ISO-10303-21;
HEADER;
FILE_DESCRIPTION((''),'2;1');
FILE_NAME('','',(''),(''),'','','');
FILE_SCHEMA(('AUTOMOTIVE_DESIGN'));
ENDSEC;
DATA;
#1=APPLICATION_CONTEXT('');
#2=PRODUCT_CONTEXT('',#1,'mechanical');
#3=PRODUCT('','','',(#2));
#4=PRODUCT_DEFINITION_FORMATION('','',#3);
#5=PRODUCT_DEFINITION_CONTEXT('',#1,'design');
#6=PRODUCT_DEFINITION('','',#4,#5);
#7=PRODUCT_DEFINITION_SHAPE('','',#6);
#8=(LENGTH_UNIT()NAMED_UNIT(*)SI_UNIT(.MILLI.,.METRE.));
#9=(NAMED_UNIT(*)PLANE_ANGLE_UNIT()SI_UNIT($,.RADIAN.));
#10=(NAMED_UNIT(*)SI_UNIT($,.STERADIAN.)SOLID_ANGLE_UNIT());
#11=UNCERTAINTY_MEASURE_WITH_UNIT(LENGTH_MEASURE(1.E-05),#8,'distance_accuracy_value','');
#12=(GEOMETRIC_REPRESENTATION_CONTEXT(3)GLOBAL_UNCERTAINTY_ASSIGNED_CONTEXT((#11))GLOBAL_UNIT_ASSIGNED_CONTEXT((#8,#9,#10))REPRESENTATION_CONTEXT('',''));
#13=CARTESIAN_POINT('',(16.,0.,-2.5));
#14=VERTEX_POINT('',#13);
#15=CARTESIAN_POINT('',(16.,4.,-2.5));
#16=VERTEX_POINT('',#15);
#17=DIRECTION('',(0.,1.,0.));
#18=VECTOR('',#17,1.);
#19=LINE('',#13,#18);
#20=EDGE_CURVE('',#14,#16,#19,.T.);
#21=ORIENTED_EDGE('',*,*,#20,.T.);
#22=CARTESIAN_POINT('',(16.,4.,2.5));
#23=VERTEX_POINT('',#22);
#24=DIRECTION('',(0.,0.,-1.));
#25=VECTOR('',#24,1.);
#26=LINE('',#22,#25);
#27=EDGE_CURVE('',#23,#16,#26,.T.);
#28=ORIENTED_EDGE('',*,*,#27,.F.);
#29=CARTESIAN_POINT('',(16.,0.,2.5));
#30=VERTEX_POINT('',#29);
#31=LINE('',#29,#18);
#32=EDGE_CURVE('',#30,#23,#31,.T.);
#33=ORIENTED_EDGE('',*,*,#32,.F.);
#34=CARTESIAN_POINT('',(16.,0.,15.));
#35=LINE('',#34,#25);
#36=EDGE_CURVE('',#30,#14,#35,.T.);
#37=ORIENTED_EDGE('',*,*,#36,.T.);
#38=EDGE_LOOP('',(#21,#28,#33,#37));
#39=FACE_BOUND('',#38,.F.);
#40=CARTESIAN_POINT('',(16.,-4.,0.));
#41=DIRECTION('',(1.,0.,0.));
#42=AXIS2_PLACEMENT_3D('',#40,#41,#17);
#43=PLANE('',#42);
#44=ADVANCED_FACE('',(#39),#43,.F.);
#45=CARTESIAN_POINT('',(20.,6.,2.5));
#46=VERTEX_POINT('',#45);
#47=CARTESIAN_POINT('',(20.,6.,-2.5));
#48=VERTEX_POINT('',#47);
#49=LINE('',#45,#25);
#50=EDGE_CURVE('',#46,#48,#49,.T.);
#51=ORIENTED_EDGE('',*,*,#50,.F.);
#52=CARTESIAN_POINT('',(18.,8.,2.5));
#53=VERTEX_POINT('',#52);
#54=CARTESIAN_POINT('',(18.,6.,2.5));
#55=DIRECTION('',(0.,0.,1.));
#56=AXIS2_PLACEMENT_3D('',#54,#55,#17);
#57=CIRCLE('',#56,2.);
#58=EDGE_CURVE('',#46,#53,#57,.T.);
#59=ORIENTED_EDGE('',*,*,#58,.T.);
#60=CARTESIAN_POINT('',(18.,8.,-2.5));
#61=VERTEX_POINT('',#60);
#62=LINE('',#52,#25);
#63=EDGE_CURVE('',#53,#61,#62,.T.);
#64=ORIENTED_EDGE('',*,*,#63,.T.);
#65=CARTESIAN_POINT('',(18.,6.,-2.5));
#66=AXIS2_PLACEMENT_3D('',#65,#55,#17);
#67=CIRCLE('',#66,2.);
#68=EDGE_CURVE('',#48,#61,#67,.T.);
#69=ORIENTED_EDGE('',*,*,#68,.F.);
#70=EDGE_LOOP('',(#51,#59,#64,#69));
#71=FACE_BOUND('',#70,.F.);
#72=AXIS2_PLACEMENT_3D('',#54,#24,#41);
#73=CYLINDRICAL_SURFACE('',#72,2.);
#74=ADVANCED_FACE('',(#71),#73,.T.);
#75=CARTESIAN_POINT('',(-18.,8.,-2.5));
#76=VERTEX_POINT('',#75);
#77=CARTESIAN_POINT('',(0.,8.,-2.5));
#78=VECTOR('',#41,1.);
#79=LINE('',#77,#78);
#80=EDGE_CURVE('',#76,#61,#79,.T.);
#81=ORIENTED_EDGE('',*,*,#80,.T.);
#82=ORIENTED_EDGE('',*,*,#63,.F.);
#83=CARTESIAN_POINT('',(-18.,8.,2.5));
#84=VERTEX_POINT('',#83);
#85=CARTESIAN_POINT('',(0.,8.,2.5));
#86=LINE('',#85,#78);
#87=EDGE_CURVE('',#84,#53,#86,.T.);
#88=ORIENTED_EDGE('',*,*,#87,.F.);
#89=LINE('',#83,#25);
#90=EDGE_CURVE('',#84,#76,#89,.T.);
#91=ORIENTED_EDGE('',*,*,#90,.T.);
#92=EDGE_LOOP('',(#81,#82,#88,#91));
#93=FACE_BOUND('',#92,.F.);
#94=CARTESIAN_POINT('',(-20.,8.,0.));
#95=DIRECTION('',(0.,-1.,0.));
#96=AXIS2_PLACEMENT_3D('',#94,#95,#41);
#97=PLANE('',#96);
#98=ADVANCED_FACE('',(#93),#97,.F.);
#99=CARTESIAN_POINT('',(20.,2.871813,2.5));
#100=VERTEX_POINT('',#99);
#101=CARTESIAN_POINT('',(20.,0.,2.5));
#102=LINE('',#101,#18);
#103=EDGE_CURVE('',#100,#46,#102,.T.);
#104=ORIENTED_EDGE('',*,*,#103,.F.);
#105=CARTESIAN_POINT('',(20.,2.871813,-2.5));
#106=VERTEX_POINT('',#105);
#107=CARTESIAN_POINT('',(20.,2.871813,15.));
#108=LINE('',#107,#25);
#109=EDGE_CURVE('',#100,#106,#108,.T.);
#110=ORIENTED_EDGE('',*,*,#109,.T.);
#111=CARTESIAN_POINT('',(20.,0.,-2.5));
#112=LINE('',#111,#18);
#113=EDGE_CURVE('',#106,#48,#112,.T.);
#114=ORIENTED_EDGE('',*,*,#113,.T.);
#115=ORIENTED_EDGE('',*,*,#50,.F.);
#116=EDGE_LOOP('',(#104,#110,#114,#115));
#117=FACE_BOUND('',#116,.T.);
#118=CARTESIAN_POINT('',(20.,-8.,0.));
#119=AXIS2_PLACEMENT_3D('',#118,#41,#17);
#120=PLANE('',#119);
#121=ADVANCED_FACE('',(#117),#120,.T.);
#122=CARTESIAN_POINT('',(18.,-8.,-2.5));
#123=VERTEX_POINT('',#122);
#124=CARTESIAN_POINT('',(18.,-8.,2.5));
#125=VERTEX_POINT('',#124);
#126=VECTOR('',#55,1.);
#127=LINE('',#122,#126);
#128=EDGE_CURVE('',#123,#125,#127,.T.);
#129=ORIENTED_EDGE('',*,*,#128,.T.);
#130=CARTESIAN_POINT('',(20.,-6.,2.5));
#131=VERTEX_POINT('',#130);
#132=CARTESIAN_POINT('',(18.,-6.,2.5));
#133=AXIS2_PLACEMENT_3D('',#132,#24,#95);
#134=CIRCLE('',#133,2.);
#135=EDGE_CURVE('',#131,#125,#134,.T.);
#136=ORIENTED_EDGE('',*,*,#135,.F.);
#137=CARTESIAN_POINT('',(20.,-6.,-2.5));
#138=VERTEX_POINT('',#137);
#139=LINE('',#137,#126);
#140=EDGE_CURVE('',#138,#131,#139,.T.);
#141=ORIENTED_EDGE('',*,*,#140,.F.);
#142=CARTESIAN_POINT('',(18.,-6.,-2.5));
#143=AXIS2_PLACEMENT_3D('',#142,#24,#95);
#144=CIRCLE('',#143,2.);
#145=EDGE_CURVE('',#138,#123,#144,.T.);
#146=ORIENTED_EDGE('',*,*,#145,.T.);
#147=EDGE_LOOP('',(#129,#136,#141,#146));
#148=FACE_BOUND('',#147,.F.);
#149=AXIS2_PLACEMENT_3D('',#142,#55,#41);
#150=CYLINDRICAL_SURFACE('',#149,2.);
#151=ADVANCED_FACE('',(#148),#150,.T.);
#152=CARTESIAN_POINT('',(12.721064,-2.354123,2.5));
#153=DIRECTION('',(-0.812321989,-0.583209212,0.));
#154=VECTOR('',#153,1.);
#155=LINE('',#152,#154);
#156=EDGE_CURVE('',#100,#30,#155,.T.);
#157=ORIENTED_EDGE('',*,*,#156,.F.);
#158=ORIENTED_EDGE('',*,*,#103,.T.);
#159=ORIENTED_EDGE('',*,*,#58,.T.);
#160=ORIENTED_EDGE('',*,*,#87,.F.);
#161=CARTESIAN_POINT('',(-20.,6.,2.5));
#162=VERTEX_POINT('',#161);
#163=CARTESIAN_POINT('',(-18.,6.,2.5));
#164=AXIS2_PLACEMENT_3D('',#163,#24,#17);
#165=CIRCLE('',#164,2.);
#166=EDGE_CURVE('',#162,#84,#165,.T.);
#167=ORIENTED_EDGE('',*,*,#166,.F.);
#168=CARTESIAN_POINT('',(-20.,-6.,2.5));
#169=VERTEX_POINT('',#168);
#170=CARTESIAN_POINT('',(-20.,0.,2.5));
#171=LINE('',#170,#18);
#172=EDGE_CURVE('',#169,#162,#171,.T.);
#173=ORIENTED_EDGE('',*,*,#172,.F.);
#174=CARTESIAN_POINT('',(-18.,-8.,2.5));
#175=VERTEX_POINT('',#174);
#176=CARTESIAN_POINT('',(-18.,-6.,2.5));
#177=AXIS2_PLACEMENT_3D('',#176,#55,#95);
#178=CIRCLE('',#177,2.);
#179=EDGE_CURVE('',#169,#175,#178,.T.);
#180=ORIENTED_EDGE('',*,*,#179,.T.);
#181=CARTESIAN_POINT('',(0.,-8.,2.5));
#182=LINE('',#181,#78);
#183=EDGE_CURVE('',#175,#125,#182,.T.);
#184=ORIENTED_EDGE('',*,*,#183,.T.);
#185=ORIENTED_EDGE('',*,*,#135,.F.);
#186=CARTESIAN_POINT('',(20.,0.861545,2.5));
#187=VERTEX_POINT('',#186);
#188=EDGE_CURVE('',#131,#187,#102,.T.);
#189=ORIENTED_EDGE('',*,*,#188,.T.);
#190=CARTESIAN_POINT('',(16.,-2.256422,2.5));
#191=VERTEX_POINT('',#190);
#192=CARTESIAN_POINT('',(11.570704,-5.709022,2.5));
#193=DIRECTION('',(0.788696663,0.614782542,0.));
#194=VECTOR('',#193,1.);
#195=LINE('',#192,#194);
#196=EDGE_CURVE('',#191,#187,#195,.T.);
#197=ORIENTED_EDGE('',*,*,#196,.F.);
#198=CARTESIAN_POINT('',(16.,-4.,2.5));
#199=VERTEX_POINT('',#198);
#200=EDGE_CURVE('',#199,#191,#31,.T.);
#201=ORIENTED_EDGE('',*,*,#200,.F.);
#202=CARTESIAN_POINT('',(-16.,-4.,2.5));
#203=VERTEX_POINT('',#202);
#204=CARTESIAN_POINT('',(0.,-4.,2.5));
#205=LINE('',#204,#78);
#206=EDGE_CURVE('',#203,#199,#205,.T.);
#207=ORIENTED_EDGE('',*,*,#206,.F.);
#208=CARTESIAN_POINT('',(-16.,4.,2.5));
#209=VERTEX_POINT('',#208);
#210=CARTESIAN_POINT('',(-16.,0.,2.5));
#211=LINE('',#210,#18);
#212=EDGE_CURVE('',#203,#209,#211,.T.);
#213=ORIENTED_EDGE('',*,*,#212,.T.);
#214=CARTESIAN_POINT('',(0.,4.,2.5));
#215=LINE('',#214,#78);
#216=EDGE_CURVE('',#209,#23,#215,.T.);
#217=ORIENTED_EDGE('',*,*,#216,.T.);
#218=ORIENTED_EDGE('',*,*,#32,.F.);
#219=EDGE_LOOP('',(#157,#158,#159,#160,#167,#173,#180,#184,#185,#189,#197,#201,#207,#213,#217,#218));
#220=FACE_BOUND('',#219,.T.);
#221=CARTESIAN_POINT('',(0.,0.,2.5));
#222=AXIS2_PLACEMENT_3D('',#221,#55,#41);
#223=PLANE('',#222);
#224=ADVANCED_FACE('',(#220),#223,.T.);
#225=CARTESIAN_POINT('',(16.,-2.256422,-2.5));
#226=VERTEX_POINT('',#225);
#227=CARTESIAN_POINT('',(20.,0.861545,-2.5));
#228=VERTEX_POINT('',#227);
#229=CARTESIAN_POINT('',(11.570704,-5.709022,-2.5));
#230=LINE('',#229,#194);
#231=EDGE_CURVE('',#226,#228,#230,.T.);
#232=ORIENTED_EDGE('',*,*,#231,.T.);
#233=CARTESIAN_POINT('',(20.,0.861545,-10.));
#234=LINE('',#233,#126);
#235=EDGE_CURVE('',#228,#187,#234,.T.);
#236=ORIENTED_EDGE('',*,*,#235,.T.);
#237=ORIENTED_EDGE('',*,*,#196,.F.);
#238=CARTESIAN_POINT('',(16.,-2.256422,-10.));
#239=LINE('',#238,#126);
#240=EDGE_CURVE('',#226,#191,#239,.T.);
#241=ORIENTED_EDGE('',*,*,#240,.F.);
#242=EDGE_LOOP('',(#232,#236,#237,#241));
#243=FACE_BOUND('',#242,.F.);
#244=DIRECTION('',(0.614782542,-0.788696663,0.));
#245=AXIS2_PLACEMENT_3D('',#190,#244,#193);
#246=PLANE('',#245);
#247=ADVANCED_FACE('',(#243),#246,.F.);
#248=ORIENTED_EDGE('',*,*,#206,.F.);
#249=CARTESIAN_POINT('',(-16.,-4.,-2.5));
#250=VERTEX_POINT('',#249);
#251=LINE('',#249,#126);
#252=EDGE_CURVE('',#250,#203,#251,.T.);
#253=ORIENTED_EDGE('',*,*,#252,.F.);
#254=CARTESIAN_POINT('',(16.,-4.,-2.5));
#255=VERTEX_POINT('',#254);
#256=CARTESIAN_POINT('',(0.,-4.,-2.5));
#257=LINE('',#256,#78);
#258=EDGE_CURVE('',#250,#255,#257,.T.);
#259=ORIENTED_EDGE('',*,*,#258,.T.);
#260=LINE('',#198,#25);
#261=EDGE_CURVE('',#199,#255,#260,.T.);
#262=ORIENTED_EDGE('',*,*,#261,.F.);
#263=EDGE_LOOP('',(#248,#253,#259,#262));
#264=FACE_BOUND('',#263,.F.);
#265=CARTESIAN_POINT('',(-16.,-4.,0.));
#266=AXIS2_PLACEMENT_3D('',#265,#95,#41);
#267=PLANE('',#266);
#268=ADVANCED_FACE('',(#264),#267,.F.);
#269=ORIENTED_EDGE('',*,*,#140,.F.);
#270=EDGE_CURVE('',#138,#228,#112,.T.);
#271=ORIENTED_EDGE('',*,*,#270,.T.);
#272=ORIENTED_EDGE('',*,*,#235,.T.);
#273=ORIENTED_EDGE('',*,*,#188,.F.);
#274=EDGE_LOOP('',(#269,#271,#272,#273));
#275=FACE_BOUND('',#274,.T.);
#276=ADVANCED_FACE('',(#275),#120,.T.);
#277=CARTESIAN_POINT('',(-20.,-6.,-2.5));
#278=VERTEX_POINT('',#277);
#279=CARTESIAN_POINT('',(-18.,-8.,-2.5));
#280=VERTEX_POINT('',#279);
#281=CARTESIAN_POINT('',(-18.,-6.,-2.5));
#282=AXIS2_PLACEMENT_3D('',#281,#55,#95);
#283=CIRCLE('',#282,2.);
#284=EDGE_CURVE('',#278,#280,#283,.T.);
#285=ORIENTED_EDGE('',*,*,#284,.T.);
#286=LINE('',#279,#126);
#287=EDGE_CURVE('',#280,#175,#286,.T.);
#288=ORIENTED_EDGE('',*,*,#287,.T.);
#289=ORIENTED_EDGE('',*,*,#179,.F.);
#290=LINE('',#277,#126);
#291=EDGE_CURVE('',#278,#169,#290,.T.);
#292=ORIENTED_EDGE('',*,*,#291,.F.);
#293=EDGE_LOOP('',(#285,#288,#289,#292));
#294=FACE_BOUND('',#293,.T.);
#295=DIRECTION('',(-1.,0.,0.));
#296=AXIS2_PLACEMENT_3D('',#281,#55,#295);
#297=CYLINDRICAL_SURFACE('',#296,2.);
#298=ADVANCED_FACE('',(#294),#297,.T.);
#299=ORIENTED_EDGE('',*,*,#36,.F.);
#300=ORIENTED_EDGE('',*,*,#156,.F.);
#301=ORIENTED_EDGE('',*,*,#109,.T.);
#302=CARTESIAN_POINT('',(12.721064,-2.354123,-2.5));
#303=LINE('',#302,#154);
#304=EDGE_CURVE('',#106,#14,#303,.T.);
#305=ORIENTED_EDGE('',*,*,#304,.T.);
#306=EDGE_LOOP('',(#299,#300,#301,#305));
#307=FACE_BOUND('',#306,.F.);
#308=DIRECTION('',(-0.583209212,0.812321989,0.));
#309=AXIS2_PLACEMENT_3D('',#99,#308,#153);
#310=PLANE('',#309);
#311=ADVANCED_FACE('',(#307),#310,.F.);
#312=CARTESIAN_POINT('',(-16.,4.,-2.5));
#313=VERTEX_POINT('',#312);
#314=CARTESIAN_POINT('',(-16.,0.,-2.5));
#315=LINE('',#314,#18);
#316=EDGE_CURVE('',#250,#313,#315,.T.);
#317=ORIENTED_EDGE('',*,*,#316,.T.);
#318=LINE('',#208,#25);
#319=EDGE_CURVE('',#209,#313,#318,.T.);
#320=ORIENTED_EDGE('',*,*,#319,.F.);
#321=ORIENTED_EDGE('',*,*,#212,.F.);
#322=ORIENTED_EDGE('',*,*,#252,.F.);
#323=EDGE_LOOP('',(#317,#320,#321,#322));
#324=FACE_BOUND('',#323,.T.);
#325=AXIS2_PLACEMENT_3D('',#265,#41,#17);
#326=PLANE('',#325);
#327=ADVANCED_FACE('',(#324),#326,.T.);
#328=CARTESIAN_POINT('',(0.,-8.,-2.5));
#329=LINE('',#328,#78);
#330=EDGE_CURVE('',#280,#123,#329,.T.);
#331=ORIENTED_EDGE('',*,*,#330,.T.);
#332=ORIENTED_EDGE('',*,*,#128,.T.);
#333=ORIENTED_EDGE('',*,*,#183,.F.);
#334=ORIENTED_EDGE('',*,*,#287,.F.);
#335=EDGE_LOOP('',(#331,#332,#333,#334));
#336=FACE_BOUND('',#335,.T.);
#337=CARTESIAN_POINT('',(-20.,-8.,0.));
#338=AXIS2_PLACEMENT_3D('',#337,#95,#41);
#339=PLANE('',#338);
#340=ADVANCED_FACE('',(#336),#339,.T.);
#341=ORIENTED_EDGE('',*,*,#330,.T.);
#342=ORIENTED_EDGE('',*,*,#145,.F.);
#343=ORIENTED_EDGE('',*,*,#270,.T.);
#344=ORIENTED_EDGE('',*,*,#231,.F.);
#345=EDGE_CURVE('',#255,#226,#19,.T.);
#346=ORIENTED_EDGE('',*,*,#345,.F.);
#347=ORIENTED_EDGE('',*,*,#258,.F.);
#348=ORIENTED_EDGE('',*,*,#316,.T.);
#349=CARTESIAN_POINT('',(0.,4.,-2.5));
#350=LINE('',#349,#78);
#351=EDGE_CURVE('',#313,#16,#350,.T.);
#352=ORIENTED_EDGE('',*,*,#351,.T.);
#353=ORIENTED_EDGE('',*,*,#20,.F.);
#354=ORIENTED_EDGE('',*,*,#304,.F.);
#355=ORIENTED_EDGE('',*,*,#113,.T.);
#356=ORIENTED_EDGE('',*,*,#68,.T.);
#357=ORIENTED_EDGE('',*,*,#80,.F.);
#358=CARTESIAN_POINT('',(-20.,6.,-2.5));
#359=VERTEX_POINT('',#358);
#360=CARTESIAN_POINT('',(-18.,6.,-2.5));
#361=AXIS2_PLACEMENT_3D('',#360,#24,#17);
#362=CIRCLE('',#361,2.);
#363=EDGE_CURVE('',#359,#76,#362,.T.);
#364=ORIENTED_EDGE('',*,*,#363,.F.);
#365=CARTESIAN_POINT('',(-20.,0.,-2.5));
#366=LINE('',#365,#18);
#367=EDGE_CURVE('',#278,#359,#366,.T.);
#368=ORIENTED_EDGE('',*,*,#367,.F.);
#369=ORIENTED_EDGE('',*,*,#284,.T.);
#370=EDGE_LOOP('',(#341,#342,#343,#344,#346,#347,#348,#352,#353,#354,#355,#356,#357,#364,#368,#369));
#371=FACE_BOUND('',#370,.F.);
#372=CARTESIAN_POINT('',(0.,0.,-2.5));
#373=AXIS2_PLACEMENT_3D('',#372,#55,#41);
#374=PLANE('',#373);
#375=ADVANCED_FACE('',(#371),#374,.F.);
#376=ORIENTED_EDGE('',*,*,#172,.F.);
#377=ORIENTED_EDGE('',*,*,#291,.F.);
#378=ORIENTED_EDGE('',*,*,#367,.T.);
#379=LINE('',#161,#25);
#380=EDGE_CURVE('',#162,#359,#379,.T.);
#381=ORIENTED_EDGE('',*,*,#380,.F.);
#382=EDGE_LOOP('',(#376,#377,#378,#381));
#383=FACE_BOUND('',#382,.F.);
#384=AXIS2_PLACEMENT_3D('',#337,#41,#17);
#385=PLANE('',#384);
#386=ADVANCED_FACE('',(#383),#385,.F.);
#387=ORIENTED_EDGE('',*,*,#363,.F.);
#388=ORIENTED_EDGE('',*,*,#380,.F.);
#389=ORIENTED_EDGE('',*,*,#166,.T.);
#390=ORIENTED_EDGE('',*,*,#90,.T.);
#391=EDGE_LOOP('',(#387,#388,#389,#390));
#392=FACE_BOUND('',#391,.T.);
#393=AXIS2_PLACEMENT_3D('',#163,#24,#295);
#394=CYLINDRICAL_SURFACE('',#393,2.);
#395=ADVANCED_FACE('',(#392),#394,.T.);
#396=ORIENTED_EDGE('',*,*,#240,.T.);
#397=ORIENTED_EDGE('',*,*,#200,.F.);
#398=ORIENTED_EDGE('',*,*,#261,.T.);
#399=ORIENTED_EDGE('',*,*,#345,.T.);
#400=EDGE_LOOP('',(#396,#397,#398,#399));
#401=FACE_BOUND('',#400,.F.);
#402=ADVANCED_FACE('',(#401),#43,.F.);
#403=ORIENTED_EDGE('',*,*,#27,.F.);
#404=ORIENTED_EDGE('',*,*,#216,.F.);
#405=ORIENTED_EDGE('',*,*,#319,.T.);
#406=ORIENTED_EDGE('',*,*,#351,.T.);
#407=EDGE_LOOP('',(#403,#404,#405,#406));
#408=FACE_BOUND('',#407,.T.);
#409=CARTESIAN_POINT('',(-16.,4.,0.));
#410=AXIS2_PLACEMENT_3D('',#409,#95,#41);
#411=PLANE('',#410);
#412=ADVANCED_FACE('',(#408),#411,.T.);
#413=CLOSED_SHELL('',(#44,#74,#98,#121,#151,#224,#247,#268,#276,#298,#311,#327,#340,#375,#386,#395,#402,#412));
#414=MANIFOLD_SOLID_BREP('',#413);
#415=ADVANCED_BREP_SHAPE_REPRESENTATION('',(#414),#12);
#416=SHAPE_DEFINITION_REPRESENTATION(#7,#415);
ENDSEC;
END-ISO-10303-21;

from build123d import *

# Parameters (mm, degrees)
F0_W     = 40
F0_H     = 16
F0_W_2   = 32
F0_H_2   = 8
F1_DEPTH = 2.5
F2_R     = 2
F4_DEPTH = 12.5


with BuildPart() as f1:
    # F0 (on Top) → F1 (new body, symmetric)
    with BuildSketch(Plane.XY):
        Rectangle(F0_W, F0_H)
        Rectangle(F0_W_2, F0_H_2, mode=Mode.SUBTRACT)
    extrude(amount=F1_DEPTH, both=True)

    # F2
    f2_edges = [f1.edges().sort_by_distance(p)[0] for p in [
        (-20, 8, 0),
        (-20, -8, 0),
        (20, -8, 0),
        (20, 8, 0),
    ]]
    fillet(f2_edges, radius=F2_R)

    # F3 (on face) → F4 (cut, symmetric)
    with BuildSketch(Plane.XY.offset(2.5)):
        Polygon((16, 0), (16, -2.256422), (20, 0.861545), (20, 2.871813), align=None)
    extrude(amount=F4_DEPTH, both=True, mode=Mode.SUBTRACT)


solid = f1.part
